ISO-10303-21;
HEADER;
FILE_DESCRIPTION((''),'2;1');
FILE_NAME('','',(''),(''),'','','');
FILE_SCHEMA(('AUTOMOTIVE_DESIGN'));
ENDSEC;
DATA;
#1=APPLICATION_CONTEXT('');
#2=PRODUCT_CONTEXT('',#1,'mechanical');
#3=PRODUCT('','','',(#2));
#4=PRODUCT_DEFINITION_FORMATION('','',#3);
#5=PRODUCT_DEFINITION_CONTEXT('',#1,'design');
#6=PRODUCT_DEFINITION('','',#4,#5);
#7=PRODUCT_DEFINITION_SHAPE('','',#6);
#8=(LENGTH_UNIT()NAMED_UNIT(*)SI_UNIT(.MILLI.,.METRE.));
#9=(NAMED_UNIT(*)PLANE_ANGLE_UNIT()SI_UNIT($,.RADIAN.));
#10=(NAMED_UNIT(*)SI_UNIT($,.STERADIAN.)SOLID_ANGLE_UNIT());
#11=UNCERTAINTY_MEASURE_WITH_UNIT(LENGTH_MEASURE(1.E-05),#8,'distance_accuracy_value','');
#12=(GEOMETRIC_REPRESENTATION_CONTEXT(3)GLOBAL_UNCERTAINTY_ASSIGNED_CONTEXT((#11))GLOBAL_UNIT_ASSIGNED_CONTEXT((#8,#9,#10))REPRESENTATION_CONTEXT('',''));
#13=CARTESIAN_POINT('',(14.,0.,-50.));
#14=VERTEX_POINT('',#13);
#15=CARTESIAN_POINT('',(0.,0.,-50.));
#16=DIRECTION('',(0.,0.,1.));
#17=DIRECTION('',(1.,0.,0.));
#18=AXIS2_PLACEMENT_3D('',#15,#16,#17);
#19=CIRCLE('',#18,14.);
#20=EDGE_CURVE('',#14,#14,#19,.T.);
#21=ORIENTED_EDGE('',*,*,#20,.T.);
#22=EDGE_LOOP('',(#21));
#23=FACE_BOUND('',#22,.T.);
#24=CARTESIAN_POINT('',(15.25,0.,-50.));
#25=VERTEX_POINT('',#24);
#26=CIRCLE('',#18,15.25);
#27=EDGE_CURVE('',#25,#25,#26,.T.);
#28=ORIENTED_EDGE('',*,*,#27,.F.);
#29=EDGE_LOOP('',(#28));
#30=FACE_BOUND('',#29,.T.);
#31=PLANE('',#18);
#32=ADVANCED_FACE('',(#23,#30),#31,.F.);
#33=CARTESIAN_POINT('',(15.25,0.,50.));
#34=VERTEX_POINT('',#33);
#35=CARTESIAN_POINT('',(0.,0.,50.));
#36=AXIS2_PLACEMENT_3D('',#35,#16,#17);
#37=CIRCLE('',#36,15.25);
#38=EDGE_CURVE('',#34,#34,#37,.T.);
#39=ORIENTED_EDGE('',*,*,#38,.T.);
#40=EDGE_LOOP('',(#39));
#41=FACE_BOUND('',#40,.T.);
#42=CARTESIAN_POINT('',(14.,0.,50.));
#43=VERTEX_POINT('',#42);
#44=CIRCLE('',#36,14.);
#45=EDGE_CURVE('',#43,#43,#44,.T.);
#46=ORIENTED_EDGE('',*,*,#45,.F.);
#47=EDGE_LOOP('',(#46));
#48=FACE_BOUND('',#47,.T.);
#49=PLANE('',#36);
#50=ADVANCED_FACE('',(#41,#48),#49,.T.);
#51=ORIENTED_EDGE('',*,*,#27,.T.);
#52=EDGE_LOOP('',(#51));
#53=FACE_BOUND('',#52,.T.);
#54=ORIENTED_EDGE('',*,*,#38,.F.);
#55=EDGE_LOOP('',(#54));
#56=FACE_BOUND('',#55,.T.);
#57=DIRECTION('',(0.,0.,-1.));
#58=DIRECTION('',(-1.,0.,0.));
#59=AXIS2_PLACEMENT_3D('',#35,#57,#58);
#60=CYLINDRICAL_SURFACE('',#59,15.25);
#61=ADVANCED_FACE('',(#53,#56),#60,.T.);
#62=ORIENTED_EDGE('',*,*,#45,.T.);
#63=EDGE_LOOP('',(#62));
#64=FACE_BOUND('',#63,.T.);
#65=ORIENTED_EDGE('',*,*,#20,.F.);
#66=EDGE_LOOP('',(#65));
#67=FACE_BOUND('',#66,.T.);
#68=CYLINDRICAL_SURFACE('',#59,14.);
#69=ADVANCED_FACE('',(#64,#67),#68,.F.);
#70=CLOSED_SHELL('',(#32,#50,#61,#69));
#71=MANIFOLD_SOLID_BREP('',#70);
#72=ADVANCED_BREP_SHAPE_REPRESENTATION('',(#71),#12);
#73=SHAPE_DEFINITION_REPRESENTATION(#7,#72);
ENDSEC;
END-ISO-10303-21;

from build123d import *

# Parameters (mm, degrees)
SKETCH_1_R      = 15.25
SKETCH_1_R_2    = 14
EXTRUDE_1_DEPTH = 50


with BuildPart() as part:
    # 草图1 → 凸台-拉伸1 (new body, symmetric)
    with BuildSketch(Plane.XY):
        Circle(SKETCH_1_R)
        Circle(SKETCH_1_R_2, mode=Mode.SUBTRACT)
    extrude(amount=EXTRUDE_1_DEPTH, both=True)


solid = part.part
